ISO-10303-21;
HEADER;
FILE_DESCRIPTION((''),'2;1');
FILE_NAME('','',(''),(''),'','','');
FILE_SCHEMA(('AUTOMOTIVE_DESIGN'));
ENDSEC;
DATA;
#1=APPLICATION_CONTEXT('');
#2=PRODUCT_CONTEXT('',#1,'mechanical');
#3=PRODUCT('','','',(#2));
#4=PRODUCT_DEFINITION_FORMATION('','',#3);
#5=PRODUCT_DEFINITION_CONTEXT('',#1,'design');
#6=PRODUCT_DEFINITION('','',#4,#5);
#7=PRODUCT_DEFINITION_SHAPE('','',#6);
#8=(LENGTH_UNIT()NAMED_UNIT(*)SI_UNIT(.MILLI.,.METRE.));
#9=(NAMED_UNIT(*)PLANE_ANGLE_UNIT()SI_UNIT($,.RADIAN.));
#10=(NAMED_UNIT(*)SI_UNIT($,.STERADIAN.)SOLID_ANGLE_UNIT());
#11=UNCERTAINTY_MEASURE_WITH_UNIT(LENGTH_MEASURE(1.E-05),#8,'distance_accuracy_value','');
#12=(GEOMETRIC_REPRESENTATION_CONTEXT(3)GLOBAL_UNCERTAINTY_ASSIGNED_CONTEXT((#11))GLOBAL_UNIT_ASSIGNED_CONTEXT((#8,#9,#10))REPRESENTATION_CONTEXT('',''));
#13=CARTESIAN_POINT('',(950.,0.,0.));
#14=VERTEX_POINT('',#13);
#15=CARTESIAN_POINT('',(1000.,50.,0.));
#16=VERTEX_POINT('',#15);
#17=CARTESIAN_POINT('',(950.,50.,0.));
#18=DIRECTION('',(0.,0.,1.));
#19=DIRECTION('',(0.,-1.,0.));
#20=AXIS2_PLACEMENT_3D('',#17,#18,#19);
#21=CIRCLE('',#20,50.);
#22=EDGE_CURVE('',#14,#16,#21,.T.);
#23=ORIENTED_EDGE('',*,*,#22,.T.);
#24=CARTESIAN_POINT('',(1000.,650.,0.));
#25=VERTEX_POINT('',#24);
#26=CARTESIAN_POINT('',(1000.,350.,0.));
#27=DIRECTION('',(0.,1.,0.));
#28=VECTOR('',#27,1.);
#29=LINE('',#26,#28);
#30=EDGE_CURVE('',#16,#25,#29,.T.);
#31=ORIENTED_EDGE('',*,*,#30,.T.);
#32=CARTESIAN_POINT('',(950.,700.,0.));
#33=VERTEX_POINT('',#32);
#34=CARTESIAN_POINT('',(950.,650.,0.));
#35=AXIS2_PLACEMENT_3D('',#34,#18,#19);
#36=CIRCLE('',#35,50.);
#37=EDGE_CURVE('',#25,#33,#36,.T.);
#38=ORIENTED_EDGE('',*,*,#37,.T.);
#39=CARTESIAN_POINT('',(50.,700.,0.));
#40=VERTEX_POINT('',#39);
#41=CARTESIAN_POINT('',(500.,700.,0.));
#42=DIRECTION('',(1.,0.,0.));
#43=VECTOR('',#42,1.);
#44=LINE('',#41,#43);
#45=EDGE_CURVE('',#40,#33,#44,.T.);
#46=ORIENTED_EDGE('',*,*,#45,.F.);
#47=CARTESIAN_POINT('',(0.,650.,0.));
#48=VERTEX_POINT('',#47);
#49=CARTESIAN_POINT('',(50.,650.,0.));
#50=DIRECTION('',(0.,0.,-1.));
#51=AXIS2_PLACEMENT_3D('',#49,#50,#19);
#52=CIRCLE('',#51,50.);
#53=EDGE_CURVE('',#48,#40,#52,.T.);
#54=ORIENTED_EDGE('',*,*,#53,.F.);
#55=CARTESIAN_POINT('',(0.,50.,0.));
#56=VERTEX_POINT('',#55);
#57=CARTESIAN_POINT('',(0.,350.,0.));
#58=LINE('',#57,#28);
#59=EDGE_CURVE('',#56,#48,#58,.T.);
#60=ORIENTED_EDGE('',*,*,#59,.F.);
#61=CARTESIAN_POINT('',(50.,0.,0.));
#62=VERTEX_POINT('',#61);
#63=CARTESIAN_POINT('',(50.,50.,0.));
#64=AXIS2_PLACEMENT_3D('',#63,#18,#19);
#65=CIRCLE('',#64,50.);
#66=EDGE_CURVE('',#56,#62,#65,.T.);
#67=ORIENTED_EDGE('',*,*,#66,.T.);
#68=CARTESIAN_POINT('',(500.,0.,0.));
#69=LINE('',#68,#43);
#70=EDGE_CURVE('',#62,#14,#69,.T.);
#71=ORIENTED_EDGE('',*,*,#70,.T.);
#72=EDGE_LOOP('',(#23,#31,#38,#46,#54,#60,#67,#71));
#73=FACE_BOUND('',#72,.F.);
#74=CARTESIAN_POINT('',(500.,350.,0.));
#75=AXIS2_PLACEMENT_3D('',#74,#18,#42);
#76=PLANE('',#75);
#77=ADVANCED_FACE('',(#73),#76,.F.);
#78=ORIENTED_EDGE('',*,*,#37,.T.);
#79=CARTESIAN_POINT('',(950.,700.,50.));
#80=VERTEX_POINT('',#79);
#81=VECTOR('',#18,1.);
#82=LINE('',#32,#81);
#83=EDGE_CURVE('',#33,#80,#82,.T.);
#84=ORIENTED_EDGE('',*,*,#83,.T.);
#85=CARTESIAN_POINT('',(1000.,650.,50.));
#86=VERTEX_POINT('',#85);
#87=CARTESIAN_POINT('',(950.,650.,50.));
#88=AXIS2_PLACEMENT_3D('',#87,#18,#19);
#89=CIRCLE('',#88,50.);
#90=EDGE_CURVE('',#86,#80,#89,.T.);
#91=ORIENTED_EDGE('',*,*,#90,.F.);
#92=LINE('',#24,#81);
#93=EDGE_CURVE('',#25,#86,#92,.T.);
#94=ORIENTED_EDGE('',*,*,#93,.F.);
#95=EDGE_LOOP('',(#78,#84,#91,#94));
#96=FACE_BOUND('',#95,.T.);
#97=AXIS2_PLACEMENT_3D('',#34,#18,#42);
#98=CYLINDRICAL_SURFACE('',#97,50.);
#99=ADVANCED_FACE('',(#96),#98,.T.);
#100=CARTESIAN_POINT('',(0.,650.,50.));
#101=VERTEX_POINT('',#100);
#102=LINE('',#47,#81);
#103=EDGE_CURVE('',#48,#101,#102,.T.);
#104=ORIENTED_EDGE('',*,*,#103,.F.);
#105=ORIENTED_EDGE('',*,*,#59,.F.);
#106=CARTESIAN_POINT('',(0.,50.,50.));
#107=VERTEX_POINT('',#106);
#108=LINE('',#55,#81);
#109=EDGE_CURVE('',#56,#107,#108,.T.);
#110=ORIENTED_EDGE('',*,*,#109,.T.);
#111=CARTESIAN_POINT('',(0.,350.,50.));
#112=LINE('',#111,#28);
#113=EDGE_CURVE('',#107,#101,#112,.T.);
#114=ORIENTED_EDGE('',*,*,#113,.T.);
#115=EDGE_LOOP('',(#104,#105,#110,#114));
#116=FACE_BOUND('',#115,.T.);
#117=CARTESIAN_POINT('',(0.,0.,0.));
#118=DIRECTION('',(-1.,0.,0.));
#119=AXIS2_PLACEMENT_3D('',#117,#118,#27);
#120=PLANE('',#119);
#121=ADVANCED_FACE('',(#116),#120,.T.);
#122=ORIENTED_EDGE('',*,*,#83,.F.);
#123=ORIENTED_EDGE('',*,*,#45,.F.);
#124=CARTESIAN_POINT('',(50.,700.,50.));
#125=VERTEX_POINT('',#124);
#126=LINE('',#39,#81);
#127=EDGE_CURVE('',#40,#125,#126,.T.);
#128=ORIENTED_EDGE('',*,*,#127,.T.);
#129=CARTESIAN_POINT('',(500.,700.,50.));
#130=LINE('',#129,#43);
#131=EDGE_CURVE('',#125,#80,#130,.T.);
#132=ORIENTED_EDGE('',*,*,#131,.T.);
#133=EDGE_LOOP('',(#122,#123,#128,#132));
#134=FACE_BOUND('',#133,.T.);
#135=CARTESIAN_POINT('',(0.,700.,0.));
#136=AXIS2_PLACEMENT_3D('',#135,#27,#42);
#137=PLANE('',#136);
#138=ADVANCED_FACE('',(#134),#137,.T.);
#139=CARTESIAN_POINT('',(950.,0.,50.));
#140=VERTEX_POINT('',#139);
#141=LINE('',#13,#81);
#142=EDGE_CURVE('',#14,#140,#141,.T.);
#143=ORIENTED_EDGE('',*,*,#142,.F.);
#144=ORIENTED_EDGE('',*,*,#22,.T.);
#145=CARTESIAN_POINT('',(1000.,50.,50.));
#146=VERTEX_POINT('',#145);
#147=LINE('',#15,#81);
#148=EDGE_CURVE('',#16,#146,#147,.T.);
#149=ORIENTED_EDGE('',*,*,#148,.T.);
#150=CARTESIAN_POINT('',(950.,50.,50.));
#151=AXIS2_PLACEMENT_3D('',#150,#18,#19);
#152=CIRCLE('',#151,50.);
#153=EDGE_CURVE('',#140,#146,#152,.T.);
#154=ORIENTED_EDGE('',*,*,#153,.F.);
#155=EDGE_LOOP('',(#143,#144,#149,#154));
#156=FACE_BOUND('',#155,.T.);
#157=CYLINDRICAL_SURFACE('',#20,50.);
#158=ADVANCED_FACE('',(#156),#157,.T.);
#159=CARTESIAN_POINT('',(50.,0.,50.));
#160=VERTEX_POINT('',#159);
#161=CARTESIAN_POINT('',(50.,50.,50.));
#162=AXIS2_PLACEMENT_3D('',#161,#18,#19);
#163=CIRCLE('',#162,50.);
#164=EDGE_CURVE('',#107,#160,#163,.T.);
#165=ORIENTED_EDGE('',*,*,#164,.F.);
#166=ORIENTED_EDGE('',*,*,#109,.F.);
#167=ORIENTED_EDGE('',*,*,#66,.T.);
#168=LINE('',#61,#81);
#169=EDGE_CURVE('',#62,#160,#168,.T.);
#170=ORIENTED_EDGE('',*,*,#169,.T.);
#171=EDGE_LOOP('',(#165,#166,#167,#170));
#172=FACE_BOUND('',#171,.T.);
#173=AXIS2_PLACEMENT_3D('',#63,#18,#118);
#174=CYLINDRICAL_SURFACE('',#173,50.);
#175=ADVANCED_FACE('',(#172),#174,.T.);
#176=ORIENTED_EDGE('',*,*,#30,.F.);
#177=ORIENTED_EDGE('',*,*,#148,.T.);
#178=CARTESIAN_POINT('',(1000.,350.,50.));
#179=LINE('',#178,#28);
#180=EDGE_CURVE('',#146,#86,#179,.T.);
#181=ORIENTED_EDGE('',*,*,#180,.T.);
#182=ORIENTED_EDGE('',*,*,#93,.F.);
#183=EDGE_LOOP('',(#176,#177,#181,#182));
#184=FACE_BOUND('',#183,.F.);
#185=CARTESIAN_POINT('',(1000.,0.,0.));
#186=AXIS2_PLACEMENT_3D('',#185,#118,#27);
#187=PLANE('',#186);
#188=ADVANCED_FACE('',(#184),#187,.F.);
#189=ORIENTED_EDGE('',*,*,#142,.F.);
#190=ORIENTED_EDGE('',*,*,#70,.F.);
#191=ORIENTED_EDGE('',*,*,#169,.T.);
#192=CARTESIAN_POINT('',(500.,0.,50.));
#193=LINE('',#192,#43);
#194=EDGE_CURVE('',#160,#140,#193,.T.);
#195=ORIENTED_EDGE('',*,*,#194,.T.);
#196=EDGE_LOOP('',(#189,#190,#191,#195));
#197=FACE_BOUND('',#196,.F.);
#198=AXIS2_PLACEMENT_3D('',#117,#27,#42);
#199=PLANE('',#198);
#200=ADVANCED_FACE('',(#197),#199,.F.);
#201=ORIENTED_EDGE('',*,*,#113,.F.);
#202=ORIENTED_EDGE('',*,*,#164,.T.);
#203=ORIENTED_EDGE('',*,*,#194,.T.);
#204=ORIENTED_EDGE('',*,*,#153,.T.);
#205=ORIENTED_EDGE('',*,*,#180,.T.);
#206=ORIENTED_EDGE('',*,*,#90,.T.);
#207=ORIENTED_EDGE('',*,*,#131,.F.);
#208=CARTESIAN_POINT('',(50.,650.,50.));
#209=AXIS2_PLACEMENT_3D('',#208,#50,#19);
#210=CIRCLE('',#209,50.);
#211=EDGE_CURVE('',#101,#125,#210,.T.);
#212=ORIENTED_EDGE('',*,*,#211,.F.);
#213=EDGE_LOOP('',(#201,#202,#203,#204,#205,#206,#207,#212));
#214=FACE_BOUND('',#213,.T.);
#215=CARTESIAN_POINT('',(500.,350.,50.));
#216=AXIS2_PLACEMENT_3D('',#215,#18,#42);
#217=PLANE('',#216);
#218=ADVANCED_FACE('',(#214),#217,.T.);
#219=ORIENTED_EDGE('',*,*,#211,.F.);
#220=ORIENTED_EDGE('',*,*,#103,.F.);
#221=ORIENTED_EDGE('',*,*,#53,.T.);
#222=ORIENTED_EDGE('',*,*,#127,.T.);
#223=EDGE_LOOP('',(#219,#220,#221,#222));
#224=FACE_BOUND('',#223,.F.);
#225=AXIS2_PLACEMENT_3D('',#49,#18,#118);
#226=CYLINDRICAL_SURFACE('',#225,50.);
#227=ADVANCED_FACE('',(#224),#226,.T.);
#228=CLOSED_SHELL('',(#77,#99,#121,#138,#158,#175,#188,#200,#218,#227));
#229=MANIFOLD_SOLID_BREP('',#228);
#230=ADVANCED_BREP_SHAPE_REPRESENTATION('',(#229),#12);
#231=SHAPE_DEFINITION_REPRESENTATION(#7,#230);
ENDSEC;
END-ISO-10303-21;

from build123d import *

# Parameters (mm, degrees)
SKETCH_W  = 1000
SKETCH_H  = 700
PAD_DEPTH = 50
FILLET_R  = 50


with BuildPart() as part:
    # Sketch → Pad (new body)
    with BuildSketch(Plane.XY):
        with Locations((500, 350)):
            Rectangle(SKETCH_W, SKETCH_H)
    extrude(amount=PAD_DEPTH)

    # Fillet
    fillet_edges = [part.edges().sort_by_distance(p)[0] for p in [
        (1000, 0, 25),
        (1000, 700, 25),
        (0, 0, 25),
        (0, 700, 25),
    ]]
    fillet(fillet_edges, radius=FILLET_R)


solid = part.part
